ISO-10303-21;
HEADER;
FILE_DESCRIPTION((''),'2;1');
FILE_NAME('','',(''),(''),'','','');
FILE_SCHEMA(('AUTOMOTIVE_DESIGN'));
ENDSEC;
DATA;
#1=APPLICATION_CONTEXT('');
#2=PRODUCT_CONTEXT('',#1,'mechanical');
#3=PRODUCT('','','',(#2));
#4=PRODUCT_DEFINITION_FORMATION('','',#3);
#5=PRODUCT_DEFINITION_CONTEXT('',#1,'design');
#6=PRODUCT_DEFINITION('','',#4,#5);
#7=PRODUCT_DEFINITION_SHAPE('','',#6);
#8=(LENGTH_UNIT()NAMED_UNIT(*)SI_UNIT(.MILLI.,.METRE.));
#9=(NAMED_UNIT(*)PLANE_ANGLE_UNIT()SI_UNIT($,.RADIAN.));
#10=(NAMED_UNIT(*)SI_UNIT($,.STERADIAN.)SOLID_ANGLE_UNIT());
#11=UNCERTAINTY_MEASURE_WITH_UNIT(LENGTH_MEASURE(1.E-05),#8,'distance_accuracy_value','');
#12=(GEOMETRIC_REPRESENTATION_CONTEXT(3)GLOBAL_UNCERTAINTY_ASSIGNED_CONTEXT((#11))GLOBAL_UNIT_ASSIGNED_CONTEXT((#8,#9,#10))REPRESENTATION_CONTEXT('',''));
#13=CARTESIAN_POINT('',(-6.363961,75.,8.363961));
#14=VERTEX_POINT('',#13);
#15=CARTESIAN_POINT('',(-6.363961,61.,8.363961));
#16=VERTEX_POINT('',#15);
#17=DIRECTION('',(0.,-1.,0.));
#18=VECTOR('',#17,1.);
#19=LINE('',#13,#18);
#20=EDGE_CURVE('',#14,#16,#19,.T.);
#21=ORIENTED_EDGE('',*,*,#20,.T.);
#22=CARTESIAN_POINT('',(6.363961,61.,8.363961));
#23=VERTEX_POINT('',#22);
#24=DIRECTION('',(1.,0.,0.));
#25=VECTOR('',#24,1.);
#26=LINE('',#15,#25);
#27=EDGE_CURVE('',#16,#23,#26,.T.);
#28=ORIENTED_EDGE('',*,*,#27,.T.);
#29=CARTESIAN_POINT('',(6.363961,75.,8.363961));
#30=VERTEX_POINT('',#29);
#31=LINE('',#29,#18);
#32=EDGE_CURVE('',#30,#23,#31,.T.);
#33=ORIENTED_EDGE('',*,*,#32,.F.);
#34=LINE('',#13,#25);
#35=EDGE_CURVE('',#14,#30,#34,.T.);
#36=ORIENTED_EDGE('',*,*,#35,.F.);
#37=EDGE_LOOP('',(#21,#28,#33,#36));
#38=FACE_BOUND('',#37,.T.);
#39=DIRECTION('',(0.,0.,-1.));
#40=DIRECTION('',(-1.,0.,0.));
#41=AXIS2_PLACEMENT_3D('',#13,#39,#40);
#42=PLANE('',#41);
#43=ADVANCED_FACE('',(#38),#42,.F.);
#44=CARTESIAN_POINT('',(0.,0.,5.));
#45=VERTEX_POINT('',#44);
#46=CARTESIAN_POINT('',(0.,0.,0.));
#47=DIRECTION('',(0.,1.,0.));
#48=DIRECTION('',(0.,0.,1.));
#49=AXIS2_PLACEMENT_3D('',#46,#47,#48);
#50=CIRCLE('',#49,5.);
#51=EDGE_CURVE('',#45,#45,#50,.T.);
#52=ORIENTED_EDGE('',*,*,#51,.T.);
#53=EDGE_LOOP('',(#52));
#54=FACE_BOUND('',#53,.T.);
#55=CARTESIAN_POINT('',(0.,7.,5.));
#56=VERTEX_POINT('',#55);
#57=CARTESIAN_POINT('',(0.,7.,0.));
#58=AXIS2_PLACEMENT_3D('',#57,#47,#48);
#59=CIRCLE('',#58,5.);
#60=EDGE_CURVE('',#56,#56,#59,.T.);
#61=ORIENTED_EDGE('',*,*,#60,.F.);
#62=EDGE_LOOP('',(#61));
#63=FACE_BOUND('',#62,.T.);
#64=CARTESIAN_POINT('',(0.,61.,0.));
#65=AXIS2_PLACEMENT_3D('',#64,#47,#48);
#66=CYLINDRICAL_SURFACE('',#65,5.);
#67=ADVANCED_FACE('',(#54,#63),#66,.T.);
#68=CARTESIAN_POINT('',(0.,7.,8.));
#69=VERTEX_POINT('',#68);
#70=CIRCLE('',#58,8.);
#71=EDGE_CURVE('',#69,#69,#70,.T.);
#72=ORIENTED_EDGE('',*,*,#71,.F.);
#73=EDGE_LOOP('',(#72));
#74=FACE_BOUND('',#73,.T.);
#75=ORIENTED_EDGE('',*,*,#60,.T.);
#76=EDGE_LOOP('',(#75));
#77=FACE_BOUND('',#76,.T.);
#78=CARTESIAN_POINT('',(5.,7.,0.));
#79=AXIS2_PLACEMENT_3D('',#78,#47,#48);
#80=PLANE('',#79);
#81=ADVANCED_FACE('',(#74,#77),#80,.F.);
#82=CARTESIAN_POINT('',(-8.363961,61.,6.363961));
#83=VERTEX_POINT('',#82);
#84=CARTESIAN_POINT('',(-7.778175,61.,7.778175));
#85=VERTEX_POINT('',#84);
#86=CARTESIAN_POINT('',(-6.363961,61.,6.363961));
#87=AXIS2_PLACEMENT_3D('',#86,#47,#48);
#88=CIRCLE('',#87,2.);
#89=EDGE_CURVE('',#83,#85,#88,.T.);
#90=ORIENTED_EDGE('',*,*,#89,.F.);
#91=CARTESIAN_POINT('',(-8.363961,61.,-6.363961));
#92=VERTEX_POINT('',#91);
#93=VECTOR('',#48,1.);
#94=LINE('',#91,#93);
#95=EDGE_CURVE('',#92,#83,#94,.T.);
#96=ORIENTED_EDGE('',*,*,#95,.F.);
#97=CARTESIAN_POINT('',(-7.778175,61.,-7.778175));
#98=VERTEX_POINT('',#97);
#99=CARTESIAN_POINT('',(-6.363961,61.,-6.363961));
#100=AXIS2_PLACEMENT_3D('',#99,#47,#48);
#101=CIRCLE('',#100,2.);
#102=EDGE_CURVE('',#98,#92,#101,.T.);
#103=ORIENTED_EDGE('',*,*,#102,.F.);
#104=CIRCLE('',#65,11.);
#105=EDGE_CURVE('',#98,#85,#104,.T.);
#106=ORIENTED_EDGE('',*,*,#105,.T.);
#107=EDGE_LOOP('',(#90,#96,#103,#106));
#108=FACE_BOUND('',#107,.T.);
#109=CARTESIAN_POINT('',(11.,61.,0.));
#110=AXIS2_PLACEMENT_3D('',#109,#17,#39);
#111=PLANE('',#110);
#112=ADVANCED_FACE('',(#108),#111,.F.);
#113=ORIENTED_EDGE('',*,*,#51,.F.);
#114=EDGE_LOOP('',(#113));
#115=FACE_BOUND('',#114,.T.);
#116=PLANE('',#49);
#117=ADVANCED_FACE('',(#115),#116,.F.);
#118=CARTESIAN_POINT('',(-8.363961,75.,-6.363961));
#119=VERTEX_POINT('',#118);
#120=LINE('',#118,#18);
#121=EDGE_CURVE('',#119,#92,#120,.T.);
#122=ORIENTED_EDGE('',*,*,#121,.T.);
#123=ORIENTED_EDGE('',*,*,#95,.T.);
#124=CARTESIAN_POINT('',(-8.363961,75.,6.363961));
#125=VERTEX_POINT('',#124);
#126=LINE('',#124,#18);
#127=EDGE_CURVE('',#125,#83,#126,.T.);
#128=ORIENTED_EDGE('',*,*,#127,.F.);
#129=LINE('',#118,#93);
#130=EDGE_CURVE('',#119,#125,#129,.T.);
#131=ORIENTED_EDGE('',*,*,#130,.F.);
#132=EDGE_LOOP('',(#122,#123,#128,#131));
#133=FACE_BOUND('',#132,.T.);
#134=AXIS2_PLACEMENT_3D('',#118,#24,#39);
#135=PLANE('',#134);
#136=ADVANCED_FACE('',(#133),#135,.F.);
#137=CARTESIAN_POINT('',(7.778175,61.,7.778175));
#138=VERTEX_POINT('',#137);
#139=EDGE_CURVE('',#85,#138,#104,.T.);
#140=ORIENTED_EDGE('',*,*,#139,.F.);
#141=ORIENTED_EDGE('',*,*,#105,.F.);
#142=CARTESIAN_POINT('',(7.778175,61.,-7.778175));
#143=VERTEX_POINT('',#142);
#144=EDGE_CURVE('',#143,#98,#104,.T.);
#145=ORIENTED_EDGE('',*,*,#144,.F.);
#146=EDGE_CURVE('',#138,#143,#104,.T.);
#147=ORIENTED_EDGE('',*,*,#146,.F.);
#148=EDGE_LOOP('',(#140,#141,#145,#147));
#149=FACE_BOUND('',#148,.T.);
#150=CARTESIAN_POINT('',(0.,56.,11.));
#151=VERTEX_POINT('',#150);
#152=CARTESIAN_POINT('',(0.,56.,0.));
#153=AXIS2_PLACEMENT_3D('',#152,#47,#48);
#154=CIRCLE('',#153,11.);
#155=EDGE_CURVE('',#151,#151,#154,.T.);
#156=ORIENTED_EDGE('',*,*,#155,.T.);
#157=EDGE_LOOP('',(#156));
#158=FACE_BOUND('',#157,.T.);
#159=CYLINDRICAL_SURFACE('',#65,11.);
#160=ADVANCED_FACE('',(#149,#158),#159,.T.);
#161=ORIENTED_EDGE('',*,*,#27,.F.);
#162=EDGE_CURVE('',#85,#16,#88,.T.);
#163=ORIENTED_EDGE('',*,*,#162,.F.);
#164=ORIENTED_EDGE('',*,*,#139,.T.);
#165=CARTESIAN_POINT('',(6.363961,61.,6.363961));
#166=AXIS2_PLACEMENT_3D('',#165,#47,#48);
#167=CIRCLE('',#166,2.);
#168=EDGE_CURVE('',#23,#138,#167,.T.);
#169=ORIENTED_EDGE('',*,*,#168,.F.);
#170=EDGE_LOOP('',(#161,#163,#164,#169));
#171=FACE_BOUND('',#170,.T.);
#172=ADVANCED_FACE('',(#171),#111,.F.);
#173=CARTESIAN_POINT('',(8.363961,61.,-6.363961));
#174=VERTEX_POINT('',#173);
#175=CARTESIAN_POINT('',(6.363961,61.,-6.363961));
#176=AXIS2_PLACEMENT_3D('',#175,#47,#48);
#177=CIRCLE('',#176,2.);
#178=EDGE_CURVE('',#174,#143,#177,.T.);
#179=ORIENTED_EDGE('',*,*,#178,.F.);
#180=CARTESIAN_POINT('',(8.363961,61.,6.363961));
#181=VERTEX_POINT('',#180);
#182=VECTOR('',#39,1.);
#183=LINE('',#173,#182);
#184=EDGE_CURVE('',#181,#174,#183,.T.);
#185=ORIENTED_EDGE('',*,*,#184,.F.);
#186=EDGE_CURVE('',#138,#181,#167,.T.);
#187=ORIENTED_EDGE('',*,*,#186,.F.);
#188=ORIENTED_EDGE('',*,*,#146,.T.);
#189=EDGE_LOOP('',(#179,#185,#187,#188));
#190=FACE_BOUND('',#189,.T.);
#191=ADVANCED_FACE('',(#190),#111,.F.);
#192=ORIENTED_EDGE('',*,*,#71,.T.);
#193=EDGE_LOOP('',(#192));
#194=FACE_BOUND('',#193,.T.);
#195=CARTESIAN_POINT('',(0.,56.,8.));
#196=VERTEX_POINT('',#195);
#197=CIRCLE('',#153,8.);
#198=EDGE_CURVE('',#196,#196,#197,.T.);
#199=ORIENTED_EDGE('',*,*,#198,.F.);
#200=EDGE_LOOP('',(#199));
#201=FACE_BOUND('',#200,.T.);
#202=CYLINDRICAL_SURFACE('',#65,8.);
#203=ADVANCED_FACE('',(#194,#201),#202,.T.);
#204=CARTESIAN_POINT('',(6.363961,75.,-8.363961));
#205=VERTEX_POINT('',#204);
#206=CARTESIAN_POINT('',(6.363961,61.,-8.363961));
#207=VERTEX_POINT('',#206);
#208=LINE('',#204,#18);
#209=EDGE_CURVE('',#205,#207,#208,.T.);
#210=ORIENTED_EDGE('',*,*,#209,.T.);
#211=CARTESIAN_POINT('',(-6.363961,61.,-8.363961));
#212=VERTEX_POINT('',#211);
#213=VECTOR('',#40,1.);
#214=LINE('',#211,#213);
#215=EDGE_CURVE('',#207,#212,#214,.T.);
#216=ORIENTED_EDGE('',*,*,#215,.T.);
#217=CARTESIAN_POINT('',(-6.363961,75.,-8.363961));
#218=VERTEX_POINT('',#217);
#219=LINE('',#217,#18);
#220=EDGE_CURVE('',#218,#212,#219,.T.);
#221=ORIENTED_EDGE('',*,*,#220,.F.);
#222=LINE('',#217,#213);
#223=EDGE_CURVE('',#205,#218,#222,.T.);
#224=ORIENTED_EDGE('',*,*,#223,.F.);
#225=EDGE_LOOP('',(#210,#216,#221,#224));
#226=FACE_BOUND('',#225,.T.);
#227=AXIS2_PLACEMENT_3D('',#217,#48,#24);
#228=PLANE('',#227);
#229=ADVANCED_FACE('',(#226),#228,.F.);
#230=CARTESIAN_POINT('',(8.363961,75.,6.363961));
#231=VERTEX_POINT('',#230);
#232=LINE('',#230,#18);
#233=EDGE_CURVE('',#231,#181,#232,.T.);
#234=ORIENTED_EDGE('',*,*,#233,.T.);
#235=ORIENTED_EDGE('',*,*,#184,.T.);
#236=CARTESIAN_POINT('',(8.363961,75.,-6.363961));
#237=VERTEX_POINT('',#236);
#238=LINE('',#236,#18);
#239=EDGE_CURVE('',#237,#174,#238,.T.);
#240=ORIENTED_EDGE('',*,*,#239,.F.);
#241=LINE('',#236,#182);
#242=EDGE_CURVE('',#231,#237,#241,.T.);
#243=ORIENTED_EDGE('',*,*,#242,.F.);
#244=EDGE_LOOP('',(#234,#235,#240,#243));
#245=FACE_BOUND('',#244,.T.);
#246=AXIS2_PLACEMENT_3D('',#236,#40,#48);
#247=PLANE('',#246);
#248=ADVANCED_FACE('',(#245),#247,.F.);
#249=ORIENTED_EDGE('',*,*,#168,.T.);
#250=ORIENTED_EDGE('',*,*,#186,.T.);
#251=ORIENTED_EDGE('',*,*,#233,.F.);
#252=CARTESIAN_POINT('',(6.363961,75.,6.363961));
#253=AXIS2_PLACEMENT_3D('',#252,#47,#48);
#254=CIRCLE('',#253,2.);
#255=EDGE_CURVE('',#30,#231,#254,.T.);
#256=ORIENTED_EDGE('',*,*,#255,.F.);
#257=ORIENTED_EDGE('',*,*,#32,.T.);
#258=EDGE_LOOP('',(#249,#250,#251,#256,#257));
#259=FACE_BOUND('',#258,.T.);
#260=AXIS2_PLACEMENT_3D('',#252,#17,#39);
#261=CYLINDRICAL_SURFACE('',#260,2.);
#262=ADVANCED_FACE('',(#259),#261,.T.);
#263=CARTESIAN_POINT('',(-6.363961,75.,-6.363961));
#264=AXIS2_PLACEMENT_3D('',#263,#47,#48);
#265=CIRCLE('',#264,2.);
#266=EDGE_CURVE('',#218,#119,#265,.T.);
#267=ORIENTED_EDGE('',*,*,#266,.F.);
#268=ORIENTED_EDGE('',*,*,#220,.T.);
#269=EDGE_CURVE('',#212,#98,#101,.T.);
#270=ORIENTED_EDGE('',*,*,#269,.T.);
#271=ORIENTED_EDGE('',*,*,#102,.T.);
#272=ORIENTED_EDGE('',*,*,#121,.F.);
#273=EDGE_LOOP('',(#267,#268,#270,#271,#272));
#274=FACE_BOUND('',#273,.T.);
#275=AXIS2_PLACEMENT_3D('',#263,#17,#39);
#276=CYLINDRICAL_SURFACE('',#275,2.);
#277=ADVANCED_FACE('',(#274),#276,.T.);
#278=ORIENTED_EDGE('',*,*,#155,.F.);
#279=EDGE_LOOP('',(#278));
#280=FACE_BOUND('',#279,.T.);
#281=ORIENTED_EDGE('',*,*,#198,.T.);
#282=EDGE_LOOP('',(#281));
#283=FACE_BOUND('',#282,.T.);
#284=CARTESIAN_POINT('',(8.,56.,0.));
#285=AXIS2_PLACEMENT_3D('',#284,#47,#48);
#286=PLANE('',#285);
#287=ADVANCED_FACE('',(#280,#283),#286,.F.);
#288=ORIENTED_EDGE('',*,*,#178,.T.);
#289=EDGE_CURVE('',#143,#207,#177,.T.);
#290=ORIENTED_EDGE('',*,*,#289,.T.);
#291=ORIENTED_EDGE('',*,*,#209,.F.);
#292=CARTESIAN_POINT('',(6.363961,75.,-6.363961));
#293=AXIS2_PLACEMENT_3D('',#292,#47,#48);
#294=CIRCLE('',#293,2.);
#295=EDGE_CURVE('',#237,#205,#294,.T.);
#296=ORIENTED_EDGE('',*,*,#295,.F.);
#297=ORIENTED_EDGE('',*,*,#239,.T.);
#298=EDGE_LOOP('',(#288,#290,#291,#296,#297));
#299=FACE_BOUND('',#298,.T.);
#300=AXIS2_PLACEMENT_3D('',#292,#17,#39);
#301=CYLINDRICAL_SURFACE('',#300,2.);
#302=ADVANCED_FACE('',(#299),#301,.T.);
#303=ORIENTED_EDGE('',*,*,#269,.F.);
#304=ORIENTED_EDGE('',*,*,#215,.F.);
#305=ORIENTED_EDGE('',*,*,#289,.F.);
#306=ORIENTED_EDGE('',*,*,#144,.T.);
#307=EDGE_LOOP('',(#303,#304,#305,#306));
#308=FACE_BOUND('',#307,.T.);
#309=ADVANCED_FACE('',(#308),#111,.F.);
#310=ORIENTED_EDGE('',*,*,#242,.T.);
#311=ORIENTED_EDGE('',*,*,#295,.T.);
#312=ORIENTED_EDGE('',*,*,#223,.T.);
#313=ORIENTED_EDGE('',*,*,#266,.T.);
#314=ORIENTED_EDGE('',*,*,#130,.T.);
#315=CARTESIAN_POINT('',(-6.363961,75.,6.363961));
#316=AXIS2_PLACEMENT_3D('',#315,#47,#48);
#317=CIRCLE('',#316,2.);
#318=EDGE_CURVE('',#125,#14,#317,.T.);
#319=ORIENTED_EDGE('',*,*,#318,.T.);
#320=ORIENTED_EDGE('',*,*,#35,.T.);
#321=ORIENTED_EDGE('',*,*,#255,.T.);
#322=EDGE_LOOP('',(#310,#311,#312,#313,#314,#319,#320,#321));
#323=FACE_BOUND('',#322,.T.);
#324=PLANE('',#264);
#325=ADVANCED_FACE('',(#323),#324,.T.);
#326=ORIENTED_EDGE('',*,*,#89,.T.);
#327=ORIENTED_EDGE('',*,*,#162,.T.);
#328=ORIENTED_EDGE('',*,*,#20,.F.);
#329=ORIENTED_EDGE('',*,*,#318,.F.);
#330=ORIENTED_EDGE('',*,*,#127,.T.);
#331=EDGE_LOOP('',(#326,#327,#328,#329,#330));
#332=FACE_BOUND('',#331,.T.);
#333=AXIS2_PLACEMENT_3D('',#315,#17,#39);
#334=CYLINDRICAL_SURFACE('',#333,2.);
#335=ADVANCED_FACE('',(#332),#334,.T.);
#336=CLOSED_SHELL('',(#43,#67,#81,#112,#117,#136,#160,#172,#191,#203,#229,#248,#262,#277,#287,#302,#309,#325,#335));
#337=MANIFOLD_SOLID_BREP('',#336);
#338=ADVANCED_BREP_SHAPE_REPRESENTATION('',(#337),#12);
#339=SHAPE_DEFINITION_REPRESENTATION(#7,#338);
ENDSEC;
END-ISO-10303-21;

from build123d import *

# Parameters (mm, degrees)
BOSS_EXTRUDE2_DEPTH = 14


with BuildPart() as part:
    # Sketch1 → Revolve1 (revolve)
    with BuildSketch(Plane.XY, mode=Mode.PRIVATE) as revolve1_sk:
        Polygon((0, 0), (5, 0), (5, 7), (8, 7), (8, 56), (11, 56), (11, 61), (0, 61), align=None)
    revolve(revolve1_sk.sketch.rotate(Axis((0, 61, 0), (0, -1, 0)), 90), axis=Axis((0, 61, 0), (0, -1, 0)))

    # Sketch2 → Boss-Extrude2 (add)
    with BuildSketch(Plane(origin=(0, 61, 0), x_dir=(1, 0, 0), z_dir=(0, 1, 0))):
        with BuildLine():
            Line((-6.363961031, 8.363961031), (6.363961031, 8.363961031))
            ThreePointArc((6.363961031, 8.363961031), (7.778174593, 7.778174593), (8.363961031, 6.363961031))
            Line((8.363961031, 6.363961031), (8.363961031, -6.363961031))
            ThreePointArc((8.363961031, -6.363961031), (7.778174593, -7.778174593), (6.363961031, -8.363961031))
            Line((6.363961031, -8.363961031), (-6.363961031, -8.363961031))
            ThreePointArc((-6.363961031, -8.363961031), (-7.778174593, -7.778174593), (-8.363961031, -6.363961031))
            Line((-8.363961031, -6.363961031), (-8.363961031, 6.363961031))
            ThreePointArc((-8.363961031, 6.363961031), (-7.778174593, 7.778174593), (-6.363961031, 8.363961031))
        make_face()
    extrude(amount=BOSS_EXTRUDE2_DEPTH)


solid = part.part
